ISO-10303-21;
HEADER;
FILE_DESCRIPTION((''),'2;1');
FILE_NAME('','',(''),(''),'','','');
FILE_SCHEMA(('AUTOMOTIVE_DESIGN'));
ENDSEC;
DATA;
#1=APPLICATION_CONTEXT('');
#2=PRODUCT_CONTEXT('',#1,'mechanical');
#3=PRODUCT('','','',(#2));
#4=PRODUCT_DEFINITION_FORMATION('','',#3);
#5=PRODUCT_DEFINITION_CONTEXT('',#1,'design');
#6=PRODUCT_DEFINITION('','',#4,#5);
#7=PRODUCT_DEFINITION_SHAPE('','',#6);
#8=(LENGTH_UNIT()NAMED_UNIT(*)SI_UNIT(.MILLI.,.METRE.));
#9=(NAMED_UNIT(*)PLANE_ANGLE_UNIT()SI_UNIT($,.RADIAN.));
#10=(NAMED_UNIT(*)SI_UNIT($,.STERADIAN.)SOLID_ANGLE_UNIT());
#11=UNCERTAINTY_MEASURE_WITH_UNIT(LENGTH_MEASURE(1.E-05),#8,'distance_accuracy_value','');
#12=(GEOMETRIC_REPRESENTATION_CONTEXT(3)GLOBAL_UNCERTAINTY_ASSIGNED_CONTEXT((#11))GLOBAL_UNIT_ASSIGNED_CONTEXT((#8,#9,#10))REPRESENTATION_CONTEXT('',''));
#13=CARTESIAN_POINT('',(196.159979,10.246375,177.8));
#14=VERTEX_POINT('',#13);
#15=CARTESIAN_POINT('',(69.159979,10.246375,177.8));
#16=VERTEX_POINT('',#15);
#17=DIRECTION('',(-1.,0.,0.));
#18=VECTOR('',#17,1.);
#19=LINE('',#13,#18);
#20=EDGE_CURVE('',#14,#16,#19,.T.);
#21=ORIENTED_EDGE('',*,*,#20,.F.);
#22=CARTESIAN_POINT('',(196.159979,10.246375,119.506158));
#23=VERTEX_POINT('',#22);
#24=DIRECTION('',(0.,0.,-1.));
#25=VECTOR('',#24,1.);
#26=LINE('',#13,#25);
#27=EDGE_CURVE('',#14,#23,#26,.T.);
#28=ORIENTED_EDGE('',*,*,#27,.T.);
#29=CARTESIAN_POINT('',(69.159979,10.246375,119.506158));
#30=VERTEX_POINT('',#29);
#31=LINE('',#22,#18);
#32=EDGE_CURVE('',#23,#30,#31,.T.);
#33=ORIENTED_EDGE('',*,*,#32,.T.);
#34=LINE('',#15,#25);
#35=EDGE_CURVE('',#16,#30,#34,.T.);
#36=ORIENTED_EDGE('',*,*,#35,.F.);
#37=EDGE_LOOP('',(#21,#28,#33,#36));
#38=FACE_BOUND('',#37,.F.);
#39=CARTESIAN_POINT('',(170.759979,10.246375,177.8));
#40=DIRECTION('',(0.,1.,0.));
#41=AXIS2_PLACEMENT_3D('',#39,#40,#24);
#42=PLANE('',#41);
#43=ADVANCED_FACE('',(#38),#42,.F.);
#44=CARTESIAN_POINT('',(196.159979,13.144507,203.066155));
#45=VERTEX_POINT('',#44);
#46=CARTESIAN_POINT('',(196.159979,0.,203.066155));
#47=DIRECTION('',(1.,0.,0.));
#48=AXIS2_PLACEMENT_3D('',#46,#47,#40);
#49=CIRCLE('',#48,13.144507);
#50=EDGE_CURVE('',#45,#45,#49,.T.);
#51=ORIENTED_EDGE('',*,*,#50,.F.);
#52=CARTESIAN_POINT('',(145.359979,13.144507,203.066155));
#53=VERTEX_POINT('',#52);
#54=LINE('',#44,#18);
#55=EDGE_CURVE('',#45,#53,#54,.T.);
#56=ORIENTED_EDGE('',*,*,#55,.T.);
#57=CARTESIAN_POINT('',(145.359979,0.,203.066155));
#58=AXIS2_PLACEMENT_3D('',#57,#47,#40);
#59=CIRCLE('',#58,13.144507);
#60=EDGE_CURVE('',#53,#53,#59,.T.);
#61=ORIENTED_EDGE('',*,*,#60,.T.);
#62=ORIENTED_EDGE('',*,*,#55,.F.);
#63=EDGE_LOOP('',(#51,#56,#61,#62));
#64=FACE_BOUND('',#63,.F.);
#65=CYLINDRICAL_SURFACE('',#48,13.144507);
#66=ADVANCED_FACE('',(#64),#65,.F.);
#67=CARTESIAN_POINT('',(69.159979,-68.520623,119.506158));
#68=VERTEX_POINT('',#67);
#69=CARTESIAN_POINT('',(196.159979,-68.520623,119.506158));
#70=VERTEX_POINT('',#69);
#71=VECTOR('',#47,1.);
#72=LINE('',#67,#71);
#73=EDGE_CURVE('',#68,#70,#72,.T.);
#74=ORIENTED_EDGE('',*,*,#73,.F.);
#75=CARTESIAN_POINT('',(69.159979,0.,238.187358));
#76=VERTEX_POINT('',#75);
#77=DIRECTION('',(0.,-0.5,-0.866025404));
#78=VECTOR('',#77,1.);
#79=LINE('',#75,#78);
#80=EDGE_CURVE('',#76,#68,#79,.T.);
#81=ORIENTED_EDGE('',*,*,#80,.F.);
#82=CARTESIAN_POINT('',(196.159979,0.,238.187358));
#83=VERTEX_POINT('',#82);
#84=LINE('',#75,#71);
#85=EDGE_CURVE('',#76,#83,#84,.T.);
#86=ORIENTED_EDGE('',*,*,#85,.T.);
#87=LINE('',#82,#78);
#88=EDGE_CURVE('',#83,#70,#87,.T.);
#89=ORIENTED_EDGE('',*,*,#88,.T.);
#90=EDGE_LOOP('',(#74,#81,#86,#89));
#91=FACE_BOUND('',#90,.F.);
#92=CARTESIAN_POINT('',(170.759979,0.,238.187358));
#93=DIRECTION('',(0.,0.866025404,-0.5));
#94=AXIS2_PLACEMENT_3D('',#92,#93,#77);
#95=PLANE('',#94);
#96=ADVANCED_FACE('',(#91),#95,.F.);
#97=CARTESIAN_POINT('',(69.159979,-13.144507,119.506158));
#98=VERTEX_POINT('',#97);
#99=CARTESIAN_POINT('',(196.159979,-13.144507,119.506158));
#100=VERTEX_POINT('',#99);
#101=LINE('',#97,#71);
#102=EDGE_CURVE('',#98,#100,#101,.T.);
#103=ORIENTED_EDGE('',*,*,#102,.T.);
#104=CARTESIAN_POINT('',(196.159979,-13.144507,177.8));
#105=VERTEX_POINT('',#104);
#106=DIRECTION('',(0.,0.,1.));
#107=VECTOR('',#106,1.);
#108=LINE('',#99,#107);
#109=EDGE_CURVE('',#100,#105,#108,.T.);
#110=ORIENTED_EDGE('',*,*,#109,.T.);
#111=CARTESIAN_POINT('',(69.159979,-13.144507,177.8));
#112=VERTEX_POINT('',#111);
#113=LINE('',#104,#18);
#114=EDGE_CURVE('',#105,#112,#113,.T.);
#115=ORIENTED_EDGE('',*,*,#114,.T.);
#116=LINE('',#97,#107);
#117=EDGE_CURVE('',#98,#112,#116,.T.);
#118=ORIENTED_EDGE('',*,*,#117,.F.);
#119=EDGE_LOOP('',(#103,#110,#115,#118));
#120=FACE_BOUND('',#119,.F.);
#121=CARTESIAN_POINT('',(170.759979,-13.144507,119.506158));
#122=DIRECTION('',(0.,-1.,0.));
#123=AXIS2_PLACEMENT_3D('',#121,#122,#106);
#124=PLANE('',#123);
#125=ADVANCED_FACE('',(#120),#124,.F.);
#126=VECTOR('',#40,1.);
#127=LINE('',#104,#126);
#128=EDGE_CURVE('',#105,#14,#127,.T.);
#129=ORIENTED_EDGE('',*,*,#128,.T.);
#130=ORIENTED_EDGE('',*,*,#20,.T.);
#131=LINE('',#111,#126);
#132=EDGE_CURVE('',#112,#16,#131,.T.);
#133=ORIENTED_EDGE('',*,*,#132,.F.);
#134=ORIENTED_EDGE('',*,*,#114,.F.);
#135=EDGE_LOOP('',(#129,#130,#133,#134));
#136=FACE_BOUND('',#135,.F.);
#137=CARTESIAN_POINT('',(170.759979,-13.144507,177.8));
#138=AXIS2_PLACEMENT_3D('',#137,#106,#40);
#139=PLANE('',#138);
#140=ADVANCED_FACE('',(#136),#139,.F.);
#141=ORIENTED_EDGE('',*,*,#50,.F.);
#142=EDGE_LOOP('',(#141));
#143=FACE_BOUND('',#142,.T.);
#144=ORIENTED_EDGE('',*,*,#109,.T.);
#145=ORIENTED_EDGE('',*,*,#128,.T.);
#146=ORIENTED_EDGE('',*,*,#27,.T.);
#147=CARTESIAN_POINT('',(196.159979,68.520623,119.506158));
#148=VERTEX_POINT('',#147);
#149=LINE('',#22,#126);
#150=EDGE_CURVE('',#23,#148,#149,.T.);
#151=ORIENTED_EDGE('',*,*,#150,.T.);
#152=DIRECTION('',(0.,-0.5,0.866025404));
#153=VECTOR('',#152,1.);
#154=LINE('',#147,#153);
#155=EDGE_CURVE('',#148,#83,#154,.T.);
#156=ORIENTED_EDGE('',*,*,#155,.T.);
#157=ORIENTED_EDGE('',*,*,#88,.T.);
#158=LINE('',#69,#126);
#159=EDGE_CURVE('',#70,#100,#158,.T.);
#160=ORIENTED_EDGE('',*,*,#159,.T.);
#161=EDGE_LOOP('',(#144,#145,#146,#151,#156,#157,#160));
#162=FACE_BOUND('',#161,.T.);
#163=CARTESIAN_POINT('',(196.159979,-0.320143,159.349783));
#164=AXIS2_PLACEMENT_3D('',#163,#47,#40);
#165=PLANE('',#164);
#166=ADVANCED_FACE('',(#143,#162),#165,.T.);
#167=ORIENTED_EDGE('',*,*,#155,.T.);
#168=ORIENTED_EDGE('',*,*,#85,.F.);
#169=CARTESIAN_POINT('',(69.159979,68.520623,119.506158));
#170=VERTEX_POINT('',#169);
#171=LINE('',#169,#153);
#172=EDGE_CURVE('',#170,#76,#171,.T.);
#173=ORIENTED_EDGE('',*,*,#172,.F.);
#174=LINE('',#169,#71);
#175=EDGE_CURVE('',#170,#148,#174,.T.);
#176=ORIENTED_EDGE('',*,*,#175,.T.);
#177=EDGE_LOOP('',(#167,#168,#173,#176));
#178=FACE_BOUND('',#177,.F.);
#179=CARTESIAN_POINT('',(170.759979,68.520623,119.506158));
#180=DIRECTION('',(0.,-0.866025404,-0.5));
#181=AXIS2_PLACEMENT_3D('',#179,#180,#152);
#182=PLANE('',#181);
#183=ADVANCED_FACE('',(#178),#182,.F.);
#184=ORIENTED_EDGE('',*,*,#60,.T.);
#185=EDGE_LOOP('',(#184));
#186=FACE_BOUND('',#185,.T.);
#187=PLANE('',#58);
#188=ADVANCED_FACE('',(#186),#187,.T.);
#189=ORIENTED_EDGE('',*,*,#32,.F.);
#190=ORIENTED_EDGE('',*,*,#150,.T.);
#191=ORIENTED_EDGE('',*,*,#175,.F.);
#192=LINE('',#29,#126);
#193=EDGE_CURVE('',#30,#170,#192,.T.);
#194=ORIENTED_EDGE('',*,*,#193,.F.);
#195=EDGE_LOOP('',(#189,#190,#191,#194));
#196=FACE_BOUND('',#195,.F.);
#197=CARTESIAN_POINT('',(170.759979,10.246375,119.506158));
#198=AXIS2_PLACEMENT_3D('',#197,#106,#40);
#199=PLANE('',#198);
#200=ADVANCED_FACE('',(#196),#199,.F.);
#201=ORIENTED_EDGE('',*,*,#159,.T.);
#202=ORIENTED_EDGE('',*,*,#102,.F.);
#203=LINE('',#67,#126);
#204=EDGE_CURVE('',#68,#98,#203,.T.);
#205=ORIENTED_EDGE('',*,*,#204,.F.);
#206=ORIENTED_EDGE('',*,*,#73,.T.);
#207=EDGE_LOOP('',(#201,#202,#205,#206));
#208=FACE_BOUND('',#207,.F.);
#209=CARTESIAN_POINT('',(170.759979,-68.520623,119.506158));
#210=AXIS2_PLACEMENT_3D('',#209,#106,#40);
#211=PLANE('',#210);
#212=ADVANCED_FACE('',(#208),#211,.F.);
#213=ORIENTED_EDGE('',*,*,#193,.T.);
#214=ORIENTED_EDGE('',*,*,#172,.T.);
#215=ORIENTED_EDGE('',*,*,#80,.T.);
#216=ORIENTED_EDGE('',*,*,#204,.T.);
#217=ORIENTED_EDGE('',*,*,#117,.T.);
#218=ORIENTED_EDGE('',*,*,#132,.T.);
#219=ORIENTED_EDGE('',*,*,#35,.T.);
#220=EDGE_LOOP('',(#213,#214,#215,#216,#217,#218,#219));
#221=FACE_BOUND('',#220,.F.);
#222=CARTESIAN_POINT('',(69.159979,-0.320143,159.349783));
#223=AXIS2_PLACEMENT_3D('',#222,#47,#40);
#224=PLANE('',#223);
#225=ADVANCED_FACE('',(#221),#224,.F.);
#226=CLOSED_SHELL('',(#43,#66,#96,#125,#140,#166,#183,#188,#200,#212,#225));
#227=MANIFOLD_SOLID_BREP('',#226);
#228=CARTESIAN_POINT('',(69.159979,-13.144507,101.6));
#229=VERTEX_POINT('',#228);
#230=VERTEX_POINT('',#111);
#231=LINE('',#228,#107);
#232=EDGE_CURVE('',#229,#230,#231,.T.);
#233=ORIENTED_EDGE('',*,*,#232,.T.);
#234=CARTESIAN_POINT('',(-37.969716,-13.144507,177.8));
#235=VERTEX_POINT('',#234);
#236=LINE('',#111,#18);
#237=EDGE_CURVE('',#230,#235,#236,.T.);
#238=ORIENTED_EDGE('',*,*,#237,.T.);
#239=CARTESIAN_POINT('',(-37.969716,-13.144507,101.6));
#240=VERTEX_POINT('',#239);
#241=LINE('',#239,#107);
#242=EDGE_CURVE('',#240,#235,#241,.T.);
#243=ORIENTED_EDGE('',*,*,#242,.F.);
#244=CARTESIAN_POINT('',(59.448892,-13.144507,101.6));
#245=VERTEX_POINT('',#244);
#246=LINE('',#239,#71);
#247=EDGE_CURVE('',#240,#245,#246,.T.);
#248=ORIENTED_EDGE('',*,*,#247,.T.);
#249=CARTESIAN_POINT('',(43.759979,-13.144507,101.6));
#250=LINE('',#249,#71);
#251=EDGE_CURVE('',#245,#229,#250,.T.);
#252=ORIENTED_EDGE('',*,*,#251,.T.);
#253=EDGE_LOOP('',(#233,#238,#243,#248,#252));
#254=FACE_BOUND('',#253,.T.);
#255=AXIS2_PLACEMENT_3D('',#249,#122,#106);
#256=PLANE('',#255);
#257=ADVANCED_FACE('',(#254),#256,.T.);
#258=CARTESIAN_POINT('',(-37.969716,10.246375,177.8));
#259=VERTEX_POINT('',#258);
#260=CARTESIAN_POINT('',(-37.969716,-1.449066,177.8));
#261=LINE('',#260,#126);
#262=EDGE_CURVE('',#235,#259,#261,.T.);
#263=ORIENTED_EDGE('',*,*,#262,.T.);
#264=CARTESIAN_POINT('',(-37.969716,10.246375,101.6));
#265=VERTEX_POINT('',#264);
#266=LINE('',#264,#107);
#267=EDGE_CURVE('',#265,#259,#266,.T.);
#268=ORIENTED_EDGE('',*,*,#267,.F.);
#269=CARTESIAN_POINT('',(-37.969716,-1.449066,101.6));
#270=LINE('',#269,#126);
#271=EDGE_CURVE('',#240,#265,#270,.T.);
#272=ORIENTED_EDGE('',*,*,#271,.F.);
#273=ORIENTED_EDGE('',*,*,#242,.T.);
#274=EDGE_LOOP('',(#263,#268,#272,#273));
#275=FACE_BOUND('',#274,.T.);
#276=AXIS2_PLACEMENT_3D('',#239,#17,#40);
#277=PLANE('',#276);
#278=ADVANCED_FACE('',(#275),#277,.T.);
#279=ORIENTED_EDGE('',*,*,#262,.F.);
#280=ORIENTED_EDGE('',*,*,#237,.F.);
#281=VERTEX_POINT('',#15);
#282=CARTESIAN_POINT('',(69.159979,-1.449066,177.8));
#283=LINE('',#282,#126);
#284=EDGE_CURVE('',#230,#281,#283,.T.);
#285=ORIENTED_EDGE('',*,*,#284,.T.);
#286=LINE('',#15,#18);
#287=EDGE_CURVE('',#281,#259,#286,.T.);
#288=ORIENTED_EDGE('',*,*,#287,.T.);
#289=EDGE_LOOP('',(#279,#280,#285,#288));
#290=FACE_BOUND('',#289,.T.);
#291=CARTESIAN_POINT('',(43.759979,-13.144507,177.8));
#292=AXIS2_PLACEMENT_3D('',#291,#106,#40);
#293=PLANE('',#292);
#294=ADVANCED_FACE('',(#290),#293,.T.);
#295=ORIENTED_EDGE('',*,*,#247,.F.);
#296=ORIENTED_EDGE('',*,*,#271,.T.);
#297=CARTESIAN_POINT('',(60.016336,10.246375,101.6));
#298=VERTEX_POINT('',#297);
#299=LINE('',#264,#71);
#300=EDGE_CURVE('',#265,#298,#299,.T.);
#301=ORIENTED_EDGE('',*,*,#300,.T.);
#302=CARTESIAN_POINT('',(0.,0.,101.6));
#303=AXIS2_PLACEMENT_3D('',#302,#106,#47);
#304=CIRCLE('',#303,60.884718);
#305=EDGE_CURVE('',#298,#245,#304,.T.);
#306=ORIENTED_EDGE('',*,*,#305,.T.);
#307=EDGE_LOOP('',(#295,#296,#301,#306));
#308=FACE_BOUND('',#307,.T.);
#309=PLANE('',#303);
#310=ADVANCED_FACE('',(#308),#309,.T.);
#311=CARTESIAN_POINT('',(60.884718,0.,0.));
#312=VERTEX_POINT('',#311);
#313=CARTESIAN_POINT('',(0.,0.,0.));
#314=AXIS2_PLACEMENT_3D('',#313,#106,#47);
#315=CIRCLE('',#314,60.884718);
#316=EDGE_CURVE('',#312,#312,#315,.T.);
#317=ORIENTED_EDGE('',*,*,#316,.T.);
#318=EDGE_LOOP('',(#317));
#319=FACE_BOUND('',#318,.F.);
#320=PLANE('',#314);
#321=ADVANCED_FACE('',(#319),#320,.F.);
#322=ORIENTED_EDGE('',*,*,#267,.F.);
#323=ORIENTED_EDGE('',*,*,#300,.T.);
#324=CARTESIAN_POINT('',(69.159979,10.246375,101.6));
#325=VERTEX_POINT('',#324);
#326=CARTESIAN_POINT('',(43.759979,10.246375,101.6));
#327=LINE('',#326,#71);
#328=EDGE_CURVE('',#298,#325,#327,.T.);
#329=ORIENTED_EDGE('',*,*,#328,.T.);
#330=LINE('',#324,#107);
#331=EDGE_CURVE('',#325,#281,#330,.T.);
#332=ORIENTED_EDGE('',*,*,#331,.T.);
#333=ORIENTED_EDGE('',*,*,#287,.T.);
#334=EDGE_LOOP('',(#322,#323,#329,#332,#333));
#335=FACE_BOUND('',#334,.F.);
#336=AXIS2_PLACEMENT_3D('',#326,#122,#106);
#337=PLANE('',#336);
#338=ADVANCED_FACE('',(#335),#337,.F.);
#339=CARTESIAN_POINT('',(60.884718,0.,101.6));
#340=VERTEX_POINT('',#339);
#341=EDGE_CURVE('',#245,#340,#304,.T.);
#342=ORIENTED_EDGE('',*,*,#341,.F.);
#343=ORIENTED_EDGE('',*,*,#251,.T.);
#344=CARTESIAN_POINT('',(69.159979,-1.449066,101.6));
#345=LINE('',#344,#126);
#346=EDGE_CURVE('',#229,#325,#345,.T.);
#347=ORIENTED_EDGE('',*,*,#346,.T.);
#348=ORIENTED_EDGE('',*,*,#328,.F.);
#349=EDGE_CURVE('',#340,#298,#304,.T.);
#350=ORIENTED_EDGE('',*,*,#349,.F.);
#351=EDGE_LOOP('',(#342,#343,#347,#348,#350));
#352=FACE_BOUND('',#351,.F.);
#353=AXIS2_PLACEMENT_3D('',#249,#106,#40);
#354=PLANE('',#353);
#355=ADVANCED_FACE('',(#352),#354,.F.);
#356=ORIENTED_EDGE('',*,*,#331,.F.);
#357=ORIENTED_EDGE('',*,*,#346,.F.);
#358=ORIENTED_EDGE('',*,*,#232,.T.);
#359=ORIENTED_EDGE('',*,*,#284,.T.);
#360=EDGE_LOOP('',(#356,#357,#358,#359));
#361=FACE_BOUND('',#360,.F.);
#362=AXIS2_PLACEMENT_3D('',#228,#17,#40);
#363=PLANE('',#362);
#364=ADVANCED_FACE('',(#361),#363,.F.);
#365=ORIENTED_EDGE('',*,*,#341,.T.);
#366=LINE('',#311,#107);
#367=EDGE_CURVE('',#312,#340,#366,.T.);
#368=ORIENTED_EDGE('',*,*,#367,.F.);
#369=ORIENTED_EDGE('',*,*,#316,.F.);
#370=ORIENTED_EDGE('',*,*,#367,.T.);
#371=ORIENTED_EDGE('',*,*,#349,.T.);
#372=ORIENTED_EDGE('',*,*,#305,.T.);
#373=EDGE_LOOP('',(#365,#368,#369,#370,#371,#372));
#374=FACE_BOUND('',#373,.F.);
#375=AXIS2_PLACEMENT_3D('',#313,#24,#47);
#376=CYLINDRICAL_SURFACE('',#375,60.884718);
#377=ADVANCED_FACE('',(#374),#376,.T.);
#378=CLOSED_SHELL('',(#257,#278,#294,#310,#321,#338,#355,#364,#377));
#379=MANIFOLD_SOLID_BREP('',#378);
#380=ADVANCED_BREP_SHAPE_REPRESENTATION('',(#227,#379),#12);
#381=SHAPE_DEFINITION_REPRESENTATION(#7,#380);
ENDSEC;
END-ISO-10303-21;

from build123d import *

# Parameters (mm, degrees)
F0_R     = 60.8847176051
F1_DEPTH = 101.6
F2_W     = 81.7296952009
F2_H     = 23.3908817172
F3_DEPTH = 76.2
F4_DEPTH = 25.4
F6_DEPTH = 101.6
F7_DEPTH = 25.4
F8_R     = 13.1445070729
F9_DEPTH = 50.8


with BuildPart() as f1:
    # F0 (on Top) → F1 (new body)
    with BuildSketch(Plane.XY):
        Circle(F0_R)
    extrude(amount=F1_DEPTH)

    # F2 (on face) → F3 (join)
    with BuildSketch(Plane.XY.offset(101.6)):
        with Locations((2.8951317072, -1.4490662143)):
            Rectangle(F2_W, F2_H)
    extrude(amount=F3_DEPTH)

    # F4 (add): a face of the model
    f4_faces = [f1.faces().sort_by_distance(p)[0] for p in [
        (43.7599793077, -1.4490662143, 139.7),
    ]]
    extrude(f4_faces, amount=F4_DEPTH)


with BuildPart() as f6:
    # F5 (on face) → F6 (new body)
    with BuildSketch(Plane.YZ.offset(69.1599793077)):
        Polygon((10.2463746443, 119.5061579347), (68.5206226804, 119.5061579347), (0, 238.1873577833), (-68.5206226804, 119.5061579347), (-13.1445070729, 119.5061579347), (-13.1445070729, 177.8), (10.2463746443, 177.8), align=None)
    extrude(amount=F6_DEPTH)

    # F7 (add): a face of the model
    f7_faces = [f6.faces().sort_by_distance(p)[0] for p in [
        (170.7599793077, 39.3834986624, 121.3190432076),
    ]]
    extrude(f7_faces, amount=F7_DEPTH)

    # F8 (on face) → F9 (cut)
    with BuildSketch(Plane.YZ.offset(196.1599793077)):
        with Locations((0, 203.0661553144)):
            Circle(F8_R)
    extrude(amount=-F9_DEPTH, mode=Mode.SUBTRACT)


solid = Compound([f1.part, f6.part])
